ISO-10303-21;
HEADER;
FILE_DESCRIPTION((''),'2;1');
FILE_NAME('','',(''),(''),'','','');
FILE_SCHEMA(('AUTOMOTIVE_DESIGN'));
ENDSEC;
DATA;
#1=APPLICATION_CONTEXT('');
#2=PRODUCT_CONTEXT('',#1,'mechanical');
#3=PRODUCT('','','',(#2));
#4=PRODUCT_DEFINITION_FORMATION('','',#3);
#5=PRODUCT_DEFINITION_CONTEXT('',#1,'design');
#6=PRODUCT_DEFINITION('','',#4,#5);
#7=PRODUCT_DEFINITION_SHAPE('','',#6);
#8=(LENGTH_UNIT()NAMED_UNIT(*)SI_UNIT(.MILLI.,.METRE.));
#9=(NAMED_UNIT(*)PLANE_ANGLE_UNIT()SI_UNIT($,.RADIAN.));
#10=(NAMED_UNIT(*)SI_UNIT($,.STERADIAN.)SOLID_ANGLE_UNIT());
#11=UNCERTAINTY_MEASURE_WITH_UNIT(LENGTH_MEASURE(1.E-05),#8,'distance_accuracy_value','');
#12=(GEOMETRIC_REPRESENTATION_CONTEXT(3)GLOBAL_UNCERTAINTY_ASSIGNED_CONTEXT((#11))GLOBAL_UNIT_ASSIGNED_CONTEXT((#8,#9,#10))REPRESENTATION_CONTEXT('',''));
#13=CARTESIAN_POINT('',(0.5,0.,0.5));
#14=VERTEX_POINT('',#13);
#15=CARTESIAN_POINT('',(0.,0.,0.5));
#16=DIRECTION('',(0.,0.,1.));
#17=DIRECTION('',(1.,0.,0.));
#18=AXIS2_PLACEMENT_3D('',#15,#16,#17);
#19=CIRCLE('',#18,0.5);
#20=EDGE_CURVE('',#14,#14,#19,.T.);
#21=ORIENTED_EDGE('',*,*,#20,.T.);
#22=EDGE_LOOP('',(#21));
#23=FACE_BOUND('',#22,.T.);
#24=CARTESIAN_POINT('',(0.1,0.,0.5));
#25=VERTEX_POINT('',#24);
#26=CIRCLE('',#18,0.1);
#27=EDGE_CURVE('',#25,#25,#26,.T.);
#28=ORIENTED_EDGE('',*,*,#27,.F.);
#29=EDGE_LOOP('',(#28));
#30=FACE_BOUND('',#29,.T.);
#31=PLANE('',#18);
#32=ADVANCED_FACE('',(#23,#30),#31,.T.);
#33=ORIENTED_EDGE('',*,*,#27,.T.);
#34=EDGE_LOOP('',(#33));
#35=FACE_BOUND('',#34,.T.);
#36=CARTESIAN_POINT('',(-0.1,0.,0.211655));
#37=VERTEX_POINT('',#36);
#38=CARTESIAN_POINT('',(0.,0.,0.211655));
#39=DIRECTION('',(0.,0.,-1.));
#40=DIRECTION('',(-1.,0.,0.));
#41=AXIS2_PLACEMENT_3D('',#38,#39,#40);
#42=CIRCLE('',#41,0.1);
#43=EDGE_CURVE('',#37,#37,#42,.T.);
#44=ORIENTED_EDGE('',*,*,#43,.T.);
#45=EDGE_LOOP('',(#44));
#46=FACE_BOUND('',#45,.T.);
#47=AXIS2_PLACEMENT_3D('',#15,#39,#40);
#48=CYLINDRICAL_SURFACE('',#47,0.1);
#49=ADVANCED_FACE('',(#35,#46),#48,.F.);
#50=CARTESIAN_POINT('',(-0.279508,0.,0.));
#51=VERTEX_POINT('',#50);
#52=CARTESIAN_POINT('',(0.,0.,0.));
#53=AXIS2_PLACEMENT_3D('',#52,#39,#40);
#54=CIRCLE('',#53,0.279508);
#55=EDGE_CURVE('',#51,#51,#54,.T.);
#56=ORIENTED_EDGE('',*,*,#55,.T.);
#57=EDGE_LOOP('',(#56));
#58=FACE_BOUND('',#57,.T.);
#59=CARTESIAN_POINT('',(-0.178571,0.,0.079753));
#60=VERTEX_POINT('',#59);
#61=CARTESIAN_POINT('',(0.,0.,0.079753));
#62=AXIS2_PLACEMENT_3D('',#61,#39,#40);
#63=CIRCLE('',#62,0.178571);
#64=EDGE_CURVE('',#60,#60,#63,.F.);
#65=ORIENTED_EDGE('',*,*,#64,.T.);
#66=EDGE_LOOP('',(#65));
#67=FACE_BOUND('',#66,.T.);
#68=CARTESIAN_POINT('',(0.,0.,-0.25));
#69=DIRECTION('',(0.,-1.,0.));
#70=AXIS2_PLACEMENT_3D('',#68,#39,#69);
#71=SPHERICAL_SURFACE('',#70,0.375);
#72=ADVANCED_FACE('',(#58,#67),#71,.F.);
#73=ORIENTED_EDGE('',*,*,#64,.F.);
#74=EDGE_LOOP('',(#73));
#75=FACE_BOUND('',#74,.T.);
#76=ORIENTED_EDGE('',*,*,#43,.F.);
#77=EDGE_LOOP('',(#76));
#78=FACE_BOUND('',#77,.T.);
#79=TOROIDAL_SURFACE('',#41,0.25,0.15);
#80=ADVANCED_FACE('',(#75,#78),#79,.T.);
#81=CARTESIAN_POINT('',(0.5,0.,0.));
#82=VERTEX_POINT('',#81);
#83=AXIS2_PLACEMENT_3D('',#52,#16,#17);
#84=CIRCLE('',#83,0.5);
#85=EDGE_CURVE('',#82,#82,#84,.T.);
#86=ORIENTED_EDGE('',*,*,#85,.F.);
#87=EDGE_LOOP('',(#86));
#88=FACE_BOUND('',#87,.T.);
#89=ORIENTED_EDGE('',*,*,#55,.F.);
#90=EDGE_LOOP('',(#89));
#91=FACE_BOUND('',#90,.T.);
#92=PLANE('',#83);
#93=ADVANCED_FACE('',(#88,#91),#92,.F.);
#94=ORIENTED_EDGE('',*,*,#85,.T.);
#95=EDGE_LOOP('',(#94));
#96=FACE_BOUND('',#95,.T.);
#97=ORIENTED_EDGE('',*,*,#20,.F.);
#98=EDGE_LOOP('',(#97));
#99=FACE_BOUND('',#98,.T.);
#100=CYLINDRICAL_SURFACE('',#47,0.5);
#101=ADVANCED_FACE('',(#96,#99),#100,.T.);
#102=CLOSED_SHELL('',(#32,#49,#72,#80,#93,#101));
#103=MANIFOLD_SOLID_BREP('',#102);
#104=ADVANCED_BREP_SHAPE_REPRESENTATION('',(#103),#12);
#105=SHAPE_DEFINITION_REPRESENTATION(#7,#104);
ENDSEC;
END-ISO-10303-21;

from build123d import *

# Parameters (mm, degrees)
CROQUIS1_R              = 0.5
CROQUIS1_R_2            = 0.1
SALIENTE_EXTRUIR1_DEPTH = 0.5
REDONDEO1_R             = 0.15


with BuildPart() as part:
    # Croquis1 → Saliente-Extruir1 (new body)
    with BuildSketch(Plane.XY):
        Circle(CROQUIS1_R)
        Circle(CROQUIS1_R_2, mode=Mode.SUBTRACT)
    extrude(amount=SALIENTE_EXTRUIR1_DEPTH)

    # Croquis2 → Cortar-Revolución1 (revolve, cut)
    with BuildSketch(Plane(origin=(0, 0, 0), x_dir=(0, 0, -1), z_dir=(1, 0, 0))):
        with BuildLine():
            Line((0, 0), (-0.125, 0))
            ThreePointArc((-0.125, 0), (-0.092326598, -0.153093109), (0, -0.279508497))
            Line((0, -0.279508497), (0, 0))
        make_face()
    revolve(axis=Axis((0, 0, 0), (0, 0, 1)), mode=Mode.SUBTRACT)

    # Redondeo1
    redondeo1_edges = [part.edges().sort_by_distance(p)[0] for p in [
        (-0.070710678, 0.070710678, 0.111420807),
    ]]
    fillet(redondeo1_edges, radius=REDONDEO1_R)


solid = part.part
